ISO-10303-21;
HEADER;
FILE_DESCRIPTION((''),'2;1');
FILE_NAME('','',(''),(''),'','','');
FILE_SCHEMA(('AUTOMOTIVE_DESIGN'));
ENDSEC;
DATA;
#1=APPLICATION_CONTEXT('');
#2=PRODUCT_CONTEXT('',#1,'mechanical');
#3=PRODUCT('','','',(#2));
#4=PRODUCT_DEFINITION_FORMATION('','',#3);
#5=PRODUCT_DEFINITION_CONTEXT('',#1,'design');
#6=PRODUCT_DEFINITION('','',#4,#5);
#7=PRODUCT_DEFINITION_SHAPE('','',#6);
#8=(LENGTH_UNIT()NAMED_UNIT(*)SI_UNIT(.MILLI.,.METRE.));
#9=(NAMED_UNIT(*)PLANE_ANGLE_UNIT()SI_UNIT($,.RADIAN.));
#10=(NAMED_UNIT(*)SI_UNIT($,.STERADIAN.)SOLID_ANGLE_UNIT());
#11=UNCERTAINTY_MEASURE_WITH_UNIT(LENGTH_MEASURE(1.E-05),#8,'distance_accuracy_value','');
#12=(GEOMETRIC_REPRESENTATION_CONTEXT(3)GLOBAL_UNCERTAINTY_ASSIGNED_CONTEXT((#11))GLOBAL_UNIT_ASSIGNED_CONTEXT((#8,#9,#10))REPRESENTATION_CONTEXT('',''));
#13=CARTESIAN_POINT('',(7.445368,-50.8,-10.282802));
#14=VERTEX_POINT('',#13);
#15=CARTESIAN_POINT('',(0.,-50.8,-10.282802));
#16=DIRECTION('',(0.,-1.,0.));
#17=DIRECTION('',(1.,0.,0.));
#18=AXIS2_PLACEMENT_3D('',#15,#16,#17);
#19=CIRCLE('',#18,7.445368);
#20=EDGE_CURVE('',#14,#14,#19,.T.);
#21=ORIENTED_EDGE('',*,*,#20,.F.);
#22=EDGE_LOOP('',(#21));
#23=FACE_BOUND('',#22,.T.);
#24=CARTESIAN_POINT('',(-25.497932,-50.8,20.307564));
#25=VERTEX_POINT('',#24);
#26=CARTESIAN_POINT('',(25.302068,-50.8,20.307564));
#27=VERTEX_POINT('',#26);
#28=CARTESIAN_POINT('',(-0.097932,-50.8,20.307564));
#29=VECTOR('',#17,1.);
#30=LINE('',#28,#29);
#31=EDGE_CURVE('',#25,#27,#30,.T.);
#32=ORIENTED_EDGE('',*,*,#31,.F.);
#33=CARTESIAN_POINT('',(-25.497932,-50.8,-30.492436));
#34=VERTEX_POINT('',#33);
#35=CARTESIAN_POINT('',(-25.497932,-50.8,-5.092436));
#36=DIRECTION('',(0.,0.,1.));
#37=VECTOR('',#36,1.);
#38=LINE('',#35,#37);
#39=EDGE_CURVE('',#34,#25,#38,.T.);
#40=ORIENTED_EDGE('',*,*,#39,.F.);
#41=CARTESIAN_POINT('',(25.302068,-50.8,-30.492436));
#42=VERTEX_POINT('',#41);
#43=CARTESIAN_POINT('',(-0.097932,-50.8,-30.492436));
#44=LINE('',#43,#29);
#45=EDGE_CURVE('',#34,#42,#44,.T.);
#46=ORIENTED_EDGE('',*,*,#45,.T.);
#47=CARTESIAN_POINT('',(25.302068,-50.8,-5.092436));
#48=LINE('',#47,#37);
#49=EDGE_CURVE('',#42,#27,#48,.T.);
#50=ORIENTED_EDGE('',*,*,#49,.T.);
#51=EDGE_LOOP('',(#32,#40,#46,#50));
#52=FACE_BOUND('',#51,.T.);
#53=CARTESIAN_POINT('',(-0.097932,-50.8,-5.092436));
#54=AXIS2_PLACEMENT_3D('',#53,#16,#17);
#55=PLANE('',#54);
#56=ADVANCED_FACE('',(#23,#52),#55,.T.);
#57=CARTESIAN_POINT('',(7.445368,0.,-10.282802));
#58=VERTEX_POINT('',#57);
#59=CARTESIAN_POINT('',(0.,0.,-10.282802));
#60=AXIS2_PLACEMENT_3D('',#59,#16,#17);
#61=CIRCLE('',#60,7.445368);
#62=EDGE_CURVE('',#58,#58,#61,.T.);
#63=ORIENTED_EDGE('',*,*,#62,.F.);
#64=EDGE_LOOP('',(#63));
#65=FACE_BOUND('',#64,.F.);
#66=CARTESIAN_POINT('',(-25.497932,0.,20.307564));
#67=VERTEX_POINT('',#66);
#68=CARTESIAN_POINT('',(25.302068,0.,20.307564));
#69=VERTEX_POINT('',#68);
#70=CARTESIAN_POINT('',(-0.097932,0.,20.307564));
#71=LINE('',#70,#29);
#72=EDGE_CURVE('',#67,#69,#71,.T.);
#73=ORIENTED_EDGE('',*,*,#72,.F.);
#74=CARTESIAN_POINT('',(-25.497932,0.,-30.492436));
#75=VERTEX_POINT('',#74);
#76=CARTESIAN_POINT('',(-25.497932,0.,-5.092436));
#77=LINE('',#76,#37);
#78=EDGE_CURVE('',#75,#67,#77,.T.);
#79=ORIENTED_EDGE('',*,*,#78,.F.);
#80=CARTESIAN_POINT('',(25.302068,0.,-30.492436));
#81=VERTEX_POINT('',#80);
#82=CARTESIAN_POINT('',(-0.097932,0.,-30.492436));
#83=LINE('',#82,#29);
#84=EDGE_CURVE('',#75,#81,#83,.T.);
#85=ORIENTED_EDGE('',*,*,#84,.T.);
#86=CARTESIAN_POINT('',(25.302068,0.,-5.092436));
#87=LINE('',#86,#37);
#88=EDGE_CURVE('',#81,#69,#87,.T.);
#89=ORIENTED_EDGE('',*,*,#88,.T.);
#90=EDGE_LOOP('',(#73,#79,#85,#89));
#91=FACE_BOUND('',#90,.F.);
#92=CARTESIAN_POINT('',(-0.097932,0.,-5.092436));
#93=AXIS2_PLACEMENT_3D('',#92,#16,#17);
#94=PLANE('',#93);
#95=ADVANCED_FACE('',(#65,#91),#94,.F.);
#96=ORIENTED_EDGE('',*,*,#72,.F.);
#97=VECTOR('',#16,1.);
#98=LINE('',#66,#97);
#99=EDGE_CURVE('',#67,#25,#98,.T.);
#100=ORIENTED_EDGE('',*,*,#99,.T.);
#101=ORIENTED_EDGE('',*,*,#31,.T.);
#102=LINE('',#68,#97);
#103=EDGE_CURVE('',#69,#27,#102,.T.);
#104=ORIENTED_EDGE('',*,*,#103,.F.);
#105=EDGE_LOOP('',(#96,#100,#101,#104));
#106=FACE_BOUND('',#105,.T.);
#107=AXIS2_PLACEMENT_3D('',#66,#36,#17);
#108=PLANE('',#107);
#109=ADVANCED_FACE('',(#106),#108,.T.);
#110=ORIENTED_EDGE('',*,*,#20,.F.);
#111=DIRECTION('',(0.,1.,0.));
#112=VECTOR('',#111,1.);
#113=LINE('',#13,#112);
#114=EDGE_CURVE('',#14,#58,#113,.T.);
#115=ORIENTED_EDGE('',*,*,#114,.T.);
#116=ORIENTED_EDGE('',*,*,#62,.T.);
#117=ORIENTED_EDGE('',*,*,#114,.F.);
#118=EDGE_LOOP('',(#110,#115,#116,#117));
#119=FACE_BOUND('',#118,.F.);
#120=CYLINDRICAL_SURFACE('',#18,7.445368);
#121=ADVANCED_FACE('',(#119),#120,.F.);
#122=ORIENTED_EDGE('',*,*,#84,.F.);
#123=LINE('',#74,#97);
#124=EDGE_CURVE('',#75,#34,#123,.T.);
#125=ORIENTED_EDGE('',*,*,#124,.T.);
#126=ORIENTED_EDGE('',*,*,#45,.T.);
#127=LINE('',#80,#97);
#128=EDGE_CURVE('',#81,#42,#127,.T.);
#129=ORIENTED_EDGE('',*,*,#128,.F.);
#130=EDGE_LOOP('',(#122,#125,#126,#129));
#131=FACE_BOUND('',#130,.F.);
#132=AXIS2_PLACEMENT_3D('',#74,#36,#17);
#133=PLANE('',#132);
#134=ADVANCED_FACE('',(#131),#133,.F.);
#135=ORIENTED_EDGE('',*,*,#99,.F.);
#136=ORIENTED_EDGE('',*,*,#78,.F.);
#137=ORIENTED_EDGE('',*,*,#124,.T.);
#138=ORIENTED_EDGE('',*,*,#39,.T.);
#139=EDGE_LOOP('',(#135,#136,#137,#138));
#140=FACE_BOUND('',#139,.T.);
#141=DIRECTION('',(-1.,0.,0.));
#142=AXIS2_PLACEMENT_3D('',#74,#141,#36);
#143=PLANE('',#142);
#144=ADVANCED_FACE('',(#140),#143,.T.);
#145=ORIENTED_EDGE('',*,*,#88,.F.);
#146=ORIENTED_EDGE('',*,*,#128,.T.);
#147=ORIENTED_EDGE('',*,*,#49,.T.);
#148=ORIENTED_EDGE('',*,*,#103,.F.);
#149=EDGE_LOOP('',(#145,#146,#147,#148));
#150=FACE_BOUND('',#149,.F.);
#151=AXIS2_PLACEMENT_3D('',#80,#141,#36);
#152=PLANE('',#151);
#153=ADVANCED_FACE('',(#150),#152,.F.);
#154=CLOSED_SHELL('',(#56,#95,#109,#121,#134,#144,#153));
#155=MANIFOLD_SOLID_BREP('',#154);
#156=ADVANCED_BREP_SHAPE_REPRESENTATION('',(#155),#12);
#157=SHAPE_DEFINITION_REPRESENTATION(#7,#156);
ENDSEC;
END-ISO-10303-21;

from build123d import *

# Parameters (mm, degrees)
F0_W     = 50.8
F0_H     = 50.8
F1_DEPTH = 50.8
F2_R     = 7.4453677319
F3_DEPTH = 50.8
F5_DEPTH = 4.7625
F6_R     = 1.5875
F7_DEPTH = 25.4


with BuildPart() as f1:
    # F0 (on Front) → F1 (new body)
    with BuildSketch(Plane.XZ):
        with Locations((-0.097932294, -5.0924364477)):
            Rectangle(F0_W, F0_H)
    extrude(amount=F1_DEPTH)

    # F2 (on face) → F3 (cut)
    with BuildSketch(Plane.XZ.offset(50.8)):
        with Locations((0, -10.2828023955)):
            Circle(F2_R)
    extrude(amount=-F3_DEPTH, mode=Mode.SUBTRACT)


with BuildPart() as f5:
    # F4 (on Top) → F5 (new body)
    with BuildSketch(Plane.XY):
        Polygon((-51.9754371398, 50.3634488253), (-47.8477183507, 52.7390211454), (-47.8411649339, 57.5015166365), (-51.9623303063, 59.8884398075), (-56.0900490953, 57.5128674873), (-56.0966025121, 52.7503719962), align=None)
    extrude(amount=F5_DEPTH)

    # F5_face (on face) + F6 (on face) → F7 (cut)
    with BuildSketch(Plane(origin=(-51.968883723, 55.1259443164, 4.7625), x_dir=(1, 0, 0), z_dir=(0, 0, 1))):
        Polygon((-0.0065534168, -4.7624954911), (4.1211653723, -2.3869231709), (4.1277187891, 2.3755723202), (0.0065534168, 4.7624954911), (-4.1211653723, 2.3869231709), (-4.1277187891, -2.3755723202), align=None)
    with BuildSketch(Plane.XY):
        with Locations((-51.968883723, 55.1259443164)):
            Circle(F6_R)
    extrude(amount=-F7_DEPTH, mode=Mode.SUBTRACT)


solid = f1.part
